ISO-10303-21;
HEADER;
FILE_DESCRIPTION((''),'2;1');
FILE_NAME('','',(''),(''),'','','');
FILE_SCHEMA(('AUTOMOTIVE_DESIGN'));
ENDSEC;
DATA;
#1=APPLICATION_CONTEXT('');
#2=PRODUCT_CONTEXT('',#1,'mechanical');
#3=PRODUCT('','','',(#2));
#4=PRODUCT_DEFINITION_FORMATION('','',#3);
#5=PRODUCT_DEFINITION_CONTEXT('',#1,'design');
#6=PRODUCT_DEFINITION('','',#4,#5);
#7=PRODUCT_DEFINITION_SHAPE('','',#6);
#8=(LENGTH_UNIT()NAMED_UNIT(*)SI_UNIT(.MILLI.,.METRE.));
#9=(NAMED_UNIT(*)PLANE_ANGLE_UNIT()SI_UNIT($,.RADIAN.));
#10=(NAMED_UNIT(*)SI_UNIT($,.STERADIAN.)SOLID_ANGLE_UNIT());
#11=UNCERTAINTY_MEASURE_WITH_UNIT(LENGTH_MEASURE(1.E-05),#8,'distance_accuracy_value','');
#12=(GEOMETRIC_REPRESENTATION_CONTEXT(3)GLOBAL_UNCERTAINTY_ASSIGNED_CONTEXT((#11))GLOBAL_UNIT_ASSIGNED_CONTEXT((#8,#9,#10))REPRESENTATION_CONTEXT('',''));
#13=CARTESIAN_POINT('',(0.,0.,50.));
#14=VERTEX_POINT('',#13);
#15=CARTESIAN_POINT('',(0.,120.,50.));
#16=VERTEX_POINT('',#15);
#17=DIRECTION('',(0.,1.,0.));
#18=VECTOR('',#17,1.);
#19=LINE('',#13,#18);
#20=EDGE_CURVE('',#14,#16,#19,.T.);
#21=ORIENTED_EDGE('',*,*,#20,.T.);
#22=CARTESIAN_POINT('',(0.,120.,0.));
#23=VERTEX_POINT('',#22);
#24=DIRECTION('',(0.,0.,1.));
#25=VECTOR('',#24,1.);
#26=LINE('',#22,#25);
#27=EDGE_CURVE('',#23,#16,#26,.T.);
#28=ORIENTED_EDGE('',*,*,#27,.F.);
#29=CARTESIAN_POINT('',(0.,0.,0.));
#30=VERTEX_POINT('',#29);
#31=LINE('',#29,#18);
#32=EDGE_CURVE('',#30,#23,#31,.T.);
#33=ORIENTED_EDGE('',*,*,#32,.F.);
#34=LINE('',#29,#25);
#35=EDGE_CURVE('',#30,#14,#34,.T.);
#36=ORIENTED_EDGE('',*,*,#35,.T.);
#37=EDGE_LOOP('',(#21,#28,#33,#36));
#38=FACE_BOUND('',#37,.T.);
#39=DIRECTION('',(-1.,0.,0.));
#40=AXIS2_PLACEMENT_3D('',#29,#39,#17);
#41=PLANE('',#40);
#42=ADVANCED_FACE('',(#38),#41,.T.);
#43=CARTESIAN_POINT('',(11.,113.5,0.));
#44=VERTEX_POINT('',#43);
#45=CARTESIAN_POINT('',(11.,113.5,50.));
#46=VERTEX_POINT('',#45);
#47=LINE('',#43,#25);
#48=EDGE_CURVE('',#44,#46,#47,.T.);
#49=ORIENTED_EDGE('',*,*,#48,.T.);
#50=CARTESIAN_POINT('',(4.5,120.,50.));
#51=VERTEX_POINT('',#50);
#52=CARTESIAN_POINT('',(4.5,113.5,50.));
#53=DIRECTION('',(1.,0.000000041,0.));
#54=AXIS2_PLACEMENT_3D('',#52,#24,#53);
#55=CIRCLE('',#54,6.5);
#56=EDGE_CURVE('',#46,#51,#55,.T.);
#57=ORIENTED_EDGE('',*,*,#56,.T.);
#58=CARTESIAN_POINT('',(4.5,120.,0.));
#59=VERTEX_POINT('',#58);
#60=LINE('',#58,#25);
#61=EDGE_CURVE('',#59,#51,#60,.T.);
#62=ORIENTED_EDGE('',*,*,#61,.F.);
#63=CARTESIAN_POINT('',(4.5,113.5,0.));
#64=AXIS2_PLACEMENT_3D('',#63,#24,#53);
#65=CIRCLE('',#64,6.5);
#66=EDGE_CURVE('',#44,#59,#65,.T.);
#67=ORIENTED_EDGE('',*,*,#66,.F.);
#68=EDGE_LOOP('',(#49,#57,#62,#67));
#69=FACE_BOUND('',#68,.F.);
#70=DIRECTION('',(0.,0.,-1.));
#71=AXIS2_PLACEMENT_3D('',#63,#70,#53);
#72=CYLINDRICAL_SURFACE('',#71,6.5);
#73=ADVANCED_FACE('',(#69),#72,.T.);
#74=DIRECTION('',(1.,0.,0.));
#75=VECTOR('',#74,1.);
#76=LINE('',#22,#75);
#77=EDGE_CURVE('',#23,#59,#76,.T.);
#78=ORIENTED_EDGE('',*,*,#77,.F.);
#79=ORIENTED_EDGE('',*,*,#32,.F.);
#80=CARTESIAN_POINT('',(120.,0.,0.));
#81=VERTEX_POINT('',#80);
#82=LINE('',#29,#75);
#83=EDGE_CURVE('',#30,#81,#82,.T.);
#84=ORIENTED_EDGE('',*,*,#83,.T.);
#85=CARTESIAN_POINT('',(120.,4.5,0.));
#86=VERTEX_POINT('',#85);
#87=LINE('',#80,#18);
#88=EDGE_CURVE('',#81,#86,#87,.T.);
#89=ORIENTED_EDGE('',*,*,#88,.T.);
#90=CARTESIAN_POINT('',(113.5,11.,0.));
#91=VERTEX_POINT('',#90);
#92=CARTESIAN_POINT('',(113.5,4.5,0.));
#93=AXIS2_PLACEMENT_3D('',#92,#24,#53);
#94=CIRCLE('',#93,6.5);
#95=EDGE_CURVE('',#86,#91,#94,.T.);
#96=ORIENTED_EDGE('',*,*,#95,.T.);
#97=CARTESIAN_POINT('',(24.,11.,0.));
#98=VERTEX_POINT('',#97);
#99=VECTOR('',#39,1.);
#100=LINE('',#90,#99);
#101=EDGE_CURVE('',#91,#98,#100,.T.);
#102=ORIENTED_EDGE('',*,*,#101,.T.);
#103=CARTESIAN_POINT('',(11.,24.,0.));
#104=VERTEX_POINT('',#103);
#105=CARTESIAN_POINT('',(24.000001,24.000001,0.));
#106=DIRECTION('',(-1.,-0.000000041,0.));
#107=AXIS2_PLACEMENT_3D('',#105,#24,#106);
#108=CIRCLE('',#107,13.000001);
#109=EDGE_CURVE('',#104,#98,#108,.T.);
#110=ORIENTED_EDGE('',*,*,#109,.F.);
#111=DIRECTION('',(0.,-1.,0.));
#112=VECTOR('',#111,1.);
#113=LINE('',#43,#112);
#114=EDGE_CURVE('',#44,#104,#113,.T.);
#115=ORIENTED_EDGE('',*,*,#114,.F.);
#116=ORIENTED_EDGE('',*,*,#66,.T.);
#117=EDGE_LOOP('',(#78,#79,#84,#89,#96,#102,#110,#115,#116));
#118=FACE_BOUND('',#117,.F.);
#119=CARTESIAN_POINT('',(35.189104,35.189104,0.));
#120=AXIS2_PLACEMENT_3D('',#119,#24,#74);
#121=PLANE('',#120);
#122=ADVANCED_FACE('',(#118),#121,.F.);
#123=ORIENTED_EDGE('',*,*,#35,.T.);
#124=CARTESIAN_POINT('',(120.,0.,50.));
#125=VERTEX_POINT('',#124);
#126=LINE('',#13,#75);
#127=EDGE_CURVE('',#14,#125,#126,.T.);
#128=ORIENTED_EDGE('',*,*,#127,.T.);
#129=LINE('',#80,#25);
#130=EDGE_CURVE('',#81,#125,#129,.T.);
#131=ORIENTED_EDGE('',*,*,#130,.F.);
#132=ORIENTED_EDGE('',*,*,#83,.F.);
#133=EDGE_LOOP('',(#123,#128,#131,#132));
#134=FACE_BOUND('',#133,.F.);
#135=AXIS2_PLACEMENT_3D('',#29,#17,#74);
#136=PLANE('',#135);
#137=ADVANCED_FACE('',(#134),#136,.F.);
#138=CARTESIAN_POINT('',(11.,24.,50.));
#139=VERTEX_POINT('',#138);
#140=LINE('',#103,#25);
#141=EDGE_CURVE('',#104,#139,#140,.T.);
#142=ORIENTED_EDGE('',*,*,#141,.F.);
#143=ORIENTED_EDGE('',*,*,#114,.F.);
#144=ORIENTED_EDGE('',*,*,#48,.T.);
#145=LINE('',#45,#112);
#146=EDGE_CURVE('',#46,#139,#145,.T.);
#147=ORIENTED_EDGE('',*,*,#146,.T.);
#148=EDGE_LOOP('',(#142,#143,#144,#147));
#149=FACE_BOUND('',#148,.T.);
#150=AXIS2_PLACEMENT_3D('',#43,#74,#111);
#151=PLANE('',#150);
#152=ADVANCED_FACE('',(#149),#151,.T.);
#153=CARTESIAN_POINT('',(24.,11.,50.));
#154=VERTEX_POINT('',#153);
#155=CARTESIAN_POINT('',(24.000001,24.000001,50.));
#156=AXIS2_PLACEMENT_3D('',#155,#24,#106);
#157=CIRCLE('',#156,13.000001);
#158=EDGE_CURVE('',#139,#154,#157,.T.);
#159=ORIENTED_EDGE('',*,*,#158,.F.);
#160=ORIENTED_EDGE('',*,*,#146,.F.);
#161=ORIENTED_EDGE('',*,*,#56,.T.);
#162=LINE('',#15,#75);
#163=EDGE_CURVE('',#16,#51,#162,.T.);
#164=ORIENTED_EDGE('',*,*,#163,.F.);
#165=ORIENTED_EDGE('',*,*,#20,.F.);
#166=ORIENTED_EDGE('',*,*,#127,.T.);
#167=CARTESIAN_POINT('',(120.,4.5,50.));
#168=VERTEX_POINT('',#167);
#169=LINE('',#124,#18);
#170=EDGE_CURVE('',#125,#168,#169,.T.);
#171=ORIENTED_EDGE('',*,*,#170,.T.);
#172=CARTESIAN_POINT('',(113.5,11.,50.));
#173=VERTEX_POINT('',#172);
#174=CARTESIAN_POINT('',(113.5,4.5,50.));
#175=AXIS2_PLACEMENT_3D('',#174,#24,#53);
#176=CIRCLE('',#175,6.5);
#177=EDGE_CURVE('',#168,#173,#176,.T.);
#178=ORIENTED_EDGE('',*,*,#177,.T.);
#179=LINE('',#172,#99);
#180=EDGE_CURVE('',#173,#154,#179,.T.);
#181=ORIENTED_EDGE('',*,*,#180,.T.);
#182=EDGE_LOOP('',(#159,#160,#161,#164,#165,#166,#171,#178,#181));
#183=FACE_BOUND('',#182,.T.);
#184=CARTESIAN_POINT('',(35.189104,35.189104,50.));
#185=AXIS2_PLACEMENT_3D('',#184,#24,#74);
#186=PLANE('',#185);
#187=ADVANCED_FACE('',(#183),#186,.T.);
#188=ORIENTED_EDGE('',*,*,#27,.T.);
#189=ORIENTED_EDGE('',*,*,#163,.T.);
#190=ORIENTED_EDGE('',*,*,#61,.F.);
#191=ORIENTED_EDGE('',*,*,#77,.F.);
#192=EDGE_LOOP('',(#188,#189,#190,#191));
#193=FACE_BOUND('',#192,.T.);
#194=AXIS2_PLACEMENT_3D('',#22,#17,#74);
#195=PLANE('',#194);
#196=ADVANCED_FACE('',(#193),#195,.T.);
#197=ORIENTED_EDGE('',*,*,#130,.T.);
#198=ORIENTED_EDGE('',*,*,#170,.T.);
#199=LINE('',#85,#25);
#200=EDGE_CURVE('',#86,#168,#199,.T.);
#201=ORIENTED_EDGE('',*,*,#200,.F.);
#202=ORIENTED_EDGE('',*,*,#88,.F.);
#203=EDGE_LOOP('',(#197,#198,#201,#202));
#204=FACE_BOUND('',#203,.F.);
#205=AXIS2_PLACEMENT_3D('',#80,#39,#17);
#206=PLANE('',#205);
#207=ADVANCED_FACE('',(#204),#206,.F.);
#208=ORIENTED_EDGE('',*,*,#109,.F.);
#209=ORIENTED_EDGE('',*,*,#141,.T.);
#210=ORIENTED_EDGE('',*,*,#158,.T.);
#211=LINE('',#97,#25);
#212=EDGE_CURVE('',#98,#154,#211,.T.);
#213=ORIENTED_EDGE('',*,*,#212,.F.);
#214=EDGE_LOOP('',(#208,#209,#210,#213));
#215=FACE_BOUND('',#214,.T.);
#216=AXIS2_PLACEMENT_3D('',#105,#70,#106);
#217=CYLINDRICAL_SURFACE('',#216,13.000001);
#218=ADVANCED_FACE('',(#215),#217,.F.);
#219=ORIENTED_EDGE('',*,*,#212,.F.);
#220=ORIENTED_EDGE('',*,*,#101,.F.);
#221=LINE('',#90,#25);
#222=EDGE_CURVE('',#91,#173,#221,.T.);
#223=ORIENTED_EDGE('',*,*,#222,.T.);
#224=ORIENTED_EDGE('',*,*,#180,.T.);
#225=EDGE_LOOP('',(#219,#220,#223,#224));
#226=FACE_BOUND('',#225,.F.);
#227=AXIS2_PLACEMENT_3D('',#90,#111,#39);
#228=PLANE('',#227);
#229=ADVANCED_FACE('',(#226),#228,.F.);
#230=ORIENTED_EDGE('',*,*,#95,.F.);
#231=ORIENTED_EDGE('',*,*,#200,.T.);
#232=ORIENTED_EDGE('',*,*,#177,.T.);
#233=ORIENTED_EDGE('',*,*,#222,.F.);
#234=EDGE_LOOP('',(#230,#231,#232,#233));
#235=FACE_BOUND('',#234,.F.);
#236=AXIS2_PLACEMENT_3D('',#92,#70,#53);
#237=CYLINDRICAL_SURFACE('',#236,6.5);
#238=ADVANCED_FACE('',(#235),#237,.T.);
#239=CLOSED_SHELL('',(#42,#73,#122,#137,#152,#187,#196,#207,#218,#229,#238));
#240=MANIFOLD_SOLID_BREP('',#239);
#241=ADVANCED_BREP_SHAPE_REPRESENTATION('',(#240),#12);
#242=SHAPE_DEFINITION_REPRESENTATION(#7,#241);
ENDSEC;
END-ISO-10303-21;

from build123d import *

# Parameters (mm, degrees)
EXTRUDE_DEPTH = 50


with BuildPart() as part:
    # Sketch → Extrude (new body)
    with BuildSketch(Plane.XY):
        with BuildLine():
            Line((0, 0), (120, 0))
            Line((120, 0), (120, 4.5))
            ThreePointArc((120, 4.5), (118.096194, 9.096194), (113.5, 11))
            Line((113.5, 11), (24, 11))
            ThreePointArc((11, 24), (14.807612, 14.807612), (24, 11))
            Line((11, 113.5), (11, 24))
            ThreePointArc((11, 113.5), (9.096194, 118.096194), (4.5, 120))
            Line((0, 120), (4.5, 120))
            Line((0, 0), (0, 120))
        make_face()
    extrude(amount=EXTRUDE_DEPTH)


solid = part.part
